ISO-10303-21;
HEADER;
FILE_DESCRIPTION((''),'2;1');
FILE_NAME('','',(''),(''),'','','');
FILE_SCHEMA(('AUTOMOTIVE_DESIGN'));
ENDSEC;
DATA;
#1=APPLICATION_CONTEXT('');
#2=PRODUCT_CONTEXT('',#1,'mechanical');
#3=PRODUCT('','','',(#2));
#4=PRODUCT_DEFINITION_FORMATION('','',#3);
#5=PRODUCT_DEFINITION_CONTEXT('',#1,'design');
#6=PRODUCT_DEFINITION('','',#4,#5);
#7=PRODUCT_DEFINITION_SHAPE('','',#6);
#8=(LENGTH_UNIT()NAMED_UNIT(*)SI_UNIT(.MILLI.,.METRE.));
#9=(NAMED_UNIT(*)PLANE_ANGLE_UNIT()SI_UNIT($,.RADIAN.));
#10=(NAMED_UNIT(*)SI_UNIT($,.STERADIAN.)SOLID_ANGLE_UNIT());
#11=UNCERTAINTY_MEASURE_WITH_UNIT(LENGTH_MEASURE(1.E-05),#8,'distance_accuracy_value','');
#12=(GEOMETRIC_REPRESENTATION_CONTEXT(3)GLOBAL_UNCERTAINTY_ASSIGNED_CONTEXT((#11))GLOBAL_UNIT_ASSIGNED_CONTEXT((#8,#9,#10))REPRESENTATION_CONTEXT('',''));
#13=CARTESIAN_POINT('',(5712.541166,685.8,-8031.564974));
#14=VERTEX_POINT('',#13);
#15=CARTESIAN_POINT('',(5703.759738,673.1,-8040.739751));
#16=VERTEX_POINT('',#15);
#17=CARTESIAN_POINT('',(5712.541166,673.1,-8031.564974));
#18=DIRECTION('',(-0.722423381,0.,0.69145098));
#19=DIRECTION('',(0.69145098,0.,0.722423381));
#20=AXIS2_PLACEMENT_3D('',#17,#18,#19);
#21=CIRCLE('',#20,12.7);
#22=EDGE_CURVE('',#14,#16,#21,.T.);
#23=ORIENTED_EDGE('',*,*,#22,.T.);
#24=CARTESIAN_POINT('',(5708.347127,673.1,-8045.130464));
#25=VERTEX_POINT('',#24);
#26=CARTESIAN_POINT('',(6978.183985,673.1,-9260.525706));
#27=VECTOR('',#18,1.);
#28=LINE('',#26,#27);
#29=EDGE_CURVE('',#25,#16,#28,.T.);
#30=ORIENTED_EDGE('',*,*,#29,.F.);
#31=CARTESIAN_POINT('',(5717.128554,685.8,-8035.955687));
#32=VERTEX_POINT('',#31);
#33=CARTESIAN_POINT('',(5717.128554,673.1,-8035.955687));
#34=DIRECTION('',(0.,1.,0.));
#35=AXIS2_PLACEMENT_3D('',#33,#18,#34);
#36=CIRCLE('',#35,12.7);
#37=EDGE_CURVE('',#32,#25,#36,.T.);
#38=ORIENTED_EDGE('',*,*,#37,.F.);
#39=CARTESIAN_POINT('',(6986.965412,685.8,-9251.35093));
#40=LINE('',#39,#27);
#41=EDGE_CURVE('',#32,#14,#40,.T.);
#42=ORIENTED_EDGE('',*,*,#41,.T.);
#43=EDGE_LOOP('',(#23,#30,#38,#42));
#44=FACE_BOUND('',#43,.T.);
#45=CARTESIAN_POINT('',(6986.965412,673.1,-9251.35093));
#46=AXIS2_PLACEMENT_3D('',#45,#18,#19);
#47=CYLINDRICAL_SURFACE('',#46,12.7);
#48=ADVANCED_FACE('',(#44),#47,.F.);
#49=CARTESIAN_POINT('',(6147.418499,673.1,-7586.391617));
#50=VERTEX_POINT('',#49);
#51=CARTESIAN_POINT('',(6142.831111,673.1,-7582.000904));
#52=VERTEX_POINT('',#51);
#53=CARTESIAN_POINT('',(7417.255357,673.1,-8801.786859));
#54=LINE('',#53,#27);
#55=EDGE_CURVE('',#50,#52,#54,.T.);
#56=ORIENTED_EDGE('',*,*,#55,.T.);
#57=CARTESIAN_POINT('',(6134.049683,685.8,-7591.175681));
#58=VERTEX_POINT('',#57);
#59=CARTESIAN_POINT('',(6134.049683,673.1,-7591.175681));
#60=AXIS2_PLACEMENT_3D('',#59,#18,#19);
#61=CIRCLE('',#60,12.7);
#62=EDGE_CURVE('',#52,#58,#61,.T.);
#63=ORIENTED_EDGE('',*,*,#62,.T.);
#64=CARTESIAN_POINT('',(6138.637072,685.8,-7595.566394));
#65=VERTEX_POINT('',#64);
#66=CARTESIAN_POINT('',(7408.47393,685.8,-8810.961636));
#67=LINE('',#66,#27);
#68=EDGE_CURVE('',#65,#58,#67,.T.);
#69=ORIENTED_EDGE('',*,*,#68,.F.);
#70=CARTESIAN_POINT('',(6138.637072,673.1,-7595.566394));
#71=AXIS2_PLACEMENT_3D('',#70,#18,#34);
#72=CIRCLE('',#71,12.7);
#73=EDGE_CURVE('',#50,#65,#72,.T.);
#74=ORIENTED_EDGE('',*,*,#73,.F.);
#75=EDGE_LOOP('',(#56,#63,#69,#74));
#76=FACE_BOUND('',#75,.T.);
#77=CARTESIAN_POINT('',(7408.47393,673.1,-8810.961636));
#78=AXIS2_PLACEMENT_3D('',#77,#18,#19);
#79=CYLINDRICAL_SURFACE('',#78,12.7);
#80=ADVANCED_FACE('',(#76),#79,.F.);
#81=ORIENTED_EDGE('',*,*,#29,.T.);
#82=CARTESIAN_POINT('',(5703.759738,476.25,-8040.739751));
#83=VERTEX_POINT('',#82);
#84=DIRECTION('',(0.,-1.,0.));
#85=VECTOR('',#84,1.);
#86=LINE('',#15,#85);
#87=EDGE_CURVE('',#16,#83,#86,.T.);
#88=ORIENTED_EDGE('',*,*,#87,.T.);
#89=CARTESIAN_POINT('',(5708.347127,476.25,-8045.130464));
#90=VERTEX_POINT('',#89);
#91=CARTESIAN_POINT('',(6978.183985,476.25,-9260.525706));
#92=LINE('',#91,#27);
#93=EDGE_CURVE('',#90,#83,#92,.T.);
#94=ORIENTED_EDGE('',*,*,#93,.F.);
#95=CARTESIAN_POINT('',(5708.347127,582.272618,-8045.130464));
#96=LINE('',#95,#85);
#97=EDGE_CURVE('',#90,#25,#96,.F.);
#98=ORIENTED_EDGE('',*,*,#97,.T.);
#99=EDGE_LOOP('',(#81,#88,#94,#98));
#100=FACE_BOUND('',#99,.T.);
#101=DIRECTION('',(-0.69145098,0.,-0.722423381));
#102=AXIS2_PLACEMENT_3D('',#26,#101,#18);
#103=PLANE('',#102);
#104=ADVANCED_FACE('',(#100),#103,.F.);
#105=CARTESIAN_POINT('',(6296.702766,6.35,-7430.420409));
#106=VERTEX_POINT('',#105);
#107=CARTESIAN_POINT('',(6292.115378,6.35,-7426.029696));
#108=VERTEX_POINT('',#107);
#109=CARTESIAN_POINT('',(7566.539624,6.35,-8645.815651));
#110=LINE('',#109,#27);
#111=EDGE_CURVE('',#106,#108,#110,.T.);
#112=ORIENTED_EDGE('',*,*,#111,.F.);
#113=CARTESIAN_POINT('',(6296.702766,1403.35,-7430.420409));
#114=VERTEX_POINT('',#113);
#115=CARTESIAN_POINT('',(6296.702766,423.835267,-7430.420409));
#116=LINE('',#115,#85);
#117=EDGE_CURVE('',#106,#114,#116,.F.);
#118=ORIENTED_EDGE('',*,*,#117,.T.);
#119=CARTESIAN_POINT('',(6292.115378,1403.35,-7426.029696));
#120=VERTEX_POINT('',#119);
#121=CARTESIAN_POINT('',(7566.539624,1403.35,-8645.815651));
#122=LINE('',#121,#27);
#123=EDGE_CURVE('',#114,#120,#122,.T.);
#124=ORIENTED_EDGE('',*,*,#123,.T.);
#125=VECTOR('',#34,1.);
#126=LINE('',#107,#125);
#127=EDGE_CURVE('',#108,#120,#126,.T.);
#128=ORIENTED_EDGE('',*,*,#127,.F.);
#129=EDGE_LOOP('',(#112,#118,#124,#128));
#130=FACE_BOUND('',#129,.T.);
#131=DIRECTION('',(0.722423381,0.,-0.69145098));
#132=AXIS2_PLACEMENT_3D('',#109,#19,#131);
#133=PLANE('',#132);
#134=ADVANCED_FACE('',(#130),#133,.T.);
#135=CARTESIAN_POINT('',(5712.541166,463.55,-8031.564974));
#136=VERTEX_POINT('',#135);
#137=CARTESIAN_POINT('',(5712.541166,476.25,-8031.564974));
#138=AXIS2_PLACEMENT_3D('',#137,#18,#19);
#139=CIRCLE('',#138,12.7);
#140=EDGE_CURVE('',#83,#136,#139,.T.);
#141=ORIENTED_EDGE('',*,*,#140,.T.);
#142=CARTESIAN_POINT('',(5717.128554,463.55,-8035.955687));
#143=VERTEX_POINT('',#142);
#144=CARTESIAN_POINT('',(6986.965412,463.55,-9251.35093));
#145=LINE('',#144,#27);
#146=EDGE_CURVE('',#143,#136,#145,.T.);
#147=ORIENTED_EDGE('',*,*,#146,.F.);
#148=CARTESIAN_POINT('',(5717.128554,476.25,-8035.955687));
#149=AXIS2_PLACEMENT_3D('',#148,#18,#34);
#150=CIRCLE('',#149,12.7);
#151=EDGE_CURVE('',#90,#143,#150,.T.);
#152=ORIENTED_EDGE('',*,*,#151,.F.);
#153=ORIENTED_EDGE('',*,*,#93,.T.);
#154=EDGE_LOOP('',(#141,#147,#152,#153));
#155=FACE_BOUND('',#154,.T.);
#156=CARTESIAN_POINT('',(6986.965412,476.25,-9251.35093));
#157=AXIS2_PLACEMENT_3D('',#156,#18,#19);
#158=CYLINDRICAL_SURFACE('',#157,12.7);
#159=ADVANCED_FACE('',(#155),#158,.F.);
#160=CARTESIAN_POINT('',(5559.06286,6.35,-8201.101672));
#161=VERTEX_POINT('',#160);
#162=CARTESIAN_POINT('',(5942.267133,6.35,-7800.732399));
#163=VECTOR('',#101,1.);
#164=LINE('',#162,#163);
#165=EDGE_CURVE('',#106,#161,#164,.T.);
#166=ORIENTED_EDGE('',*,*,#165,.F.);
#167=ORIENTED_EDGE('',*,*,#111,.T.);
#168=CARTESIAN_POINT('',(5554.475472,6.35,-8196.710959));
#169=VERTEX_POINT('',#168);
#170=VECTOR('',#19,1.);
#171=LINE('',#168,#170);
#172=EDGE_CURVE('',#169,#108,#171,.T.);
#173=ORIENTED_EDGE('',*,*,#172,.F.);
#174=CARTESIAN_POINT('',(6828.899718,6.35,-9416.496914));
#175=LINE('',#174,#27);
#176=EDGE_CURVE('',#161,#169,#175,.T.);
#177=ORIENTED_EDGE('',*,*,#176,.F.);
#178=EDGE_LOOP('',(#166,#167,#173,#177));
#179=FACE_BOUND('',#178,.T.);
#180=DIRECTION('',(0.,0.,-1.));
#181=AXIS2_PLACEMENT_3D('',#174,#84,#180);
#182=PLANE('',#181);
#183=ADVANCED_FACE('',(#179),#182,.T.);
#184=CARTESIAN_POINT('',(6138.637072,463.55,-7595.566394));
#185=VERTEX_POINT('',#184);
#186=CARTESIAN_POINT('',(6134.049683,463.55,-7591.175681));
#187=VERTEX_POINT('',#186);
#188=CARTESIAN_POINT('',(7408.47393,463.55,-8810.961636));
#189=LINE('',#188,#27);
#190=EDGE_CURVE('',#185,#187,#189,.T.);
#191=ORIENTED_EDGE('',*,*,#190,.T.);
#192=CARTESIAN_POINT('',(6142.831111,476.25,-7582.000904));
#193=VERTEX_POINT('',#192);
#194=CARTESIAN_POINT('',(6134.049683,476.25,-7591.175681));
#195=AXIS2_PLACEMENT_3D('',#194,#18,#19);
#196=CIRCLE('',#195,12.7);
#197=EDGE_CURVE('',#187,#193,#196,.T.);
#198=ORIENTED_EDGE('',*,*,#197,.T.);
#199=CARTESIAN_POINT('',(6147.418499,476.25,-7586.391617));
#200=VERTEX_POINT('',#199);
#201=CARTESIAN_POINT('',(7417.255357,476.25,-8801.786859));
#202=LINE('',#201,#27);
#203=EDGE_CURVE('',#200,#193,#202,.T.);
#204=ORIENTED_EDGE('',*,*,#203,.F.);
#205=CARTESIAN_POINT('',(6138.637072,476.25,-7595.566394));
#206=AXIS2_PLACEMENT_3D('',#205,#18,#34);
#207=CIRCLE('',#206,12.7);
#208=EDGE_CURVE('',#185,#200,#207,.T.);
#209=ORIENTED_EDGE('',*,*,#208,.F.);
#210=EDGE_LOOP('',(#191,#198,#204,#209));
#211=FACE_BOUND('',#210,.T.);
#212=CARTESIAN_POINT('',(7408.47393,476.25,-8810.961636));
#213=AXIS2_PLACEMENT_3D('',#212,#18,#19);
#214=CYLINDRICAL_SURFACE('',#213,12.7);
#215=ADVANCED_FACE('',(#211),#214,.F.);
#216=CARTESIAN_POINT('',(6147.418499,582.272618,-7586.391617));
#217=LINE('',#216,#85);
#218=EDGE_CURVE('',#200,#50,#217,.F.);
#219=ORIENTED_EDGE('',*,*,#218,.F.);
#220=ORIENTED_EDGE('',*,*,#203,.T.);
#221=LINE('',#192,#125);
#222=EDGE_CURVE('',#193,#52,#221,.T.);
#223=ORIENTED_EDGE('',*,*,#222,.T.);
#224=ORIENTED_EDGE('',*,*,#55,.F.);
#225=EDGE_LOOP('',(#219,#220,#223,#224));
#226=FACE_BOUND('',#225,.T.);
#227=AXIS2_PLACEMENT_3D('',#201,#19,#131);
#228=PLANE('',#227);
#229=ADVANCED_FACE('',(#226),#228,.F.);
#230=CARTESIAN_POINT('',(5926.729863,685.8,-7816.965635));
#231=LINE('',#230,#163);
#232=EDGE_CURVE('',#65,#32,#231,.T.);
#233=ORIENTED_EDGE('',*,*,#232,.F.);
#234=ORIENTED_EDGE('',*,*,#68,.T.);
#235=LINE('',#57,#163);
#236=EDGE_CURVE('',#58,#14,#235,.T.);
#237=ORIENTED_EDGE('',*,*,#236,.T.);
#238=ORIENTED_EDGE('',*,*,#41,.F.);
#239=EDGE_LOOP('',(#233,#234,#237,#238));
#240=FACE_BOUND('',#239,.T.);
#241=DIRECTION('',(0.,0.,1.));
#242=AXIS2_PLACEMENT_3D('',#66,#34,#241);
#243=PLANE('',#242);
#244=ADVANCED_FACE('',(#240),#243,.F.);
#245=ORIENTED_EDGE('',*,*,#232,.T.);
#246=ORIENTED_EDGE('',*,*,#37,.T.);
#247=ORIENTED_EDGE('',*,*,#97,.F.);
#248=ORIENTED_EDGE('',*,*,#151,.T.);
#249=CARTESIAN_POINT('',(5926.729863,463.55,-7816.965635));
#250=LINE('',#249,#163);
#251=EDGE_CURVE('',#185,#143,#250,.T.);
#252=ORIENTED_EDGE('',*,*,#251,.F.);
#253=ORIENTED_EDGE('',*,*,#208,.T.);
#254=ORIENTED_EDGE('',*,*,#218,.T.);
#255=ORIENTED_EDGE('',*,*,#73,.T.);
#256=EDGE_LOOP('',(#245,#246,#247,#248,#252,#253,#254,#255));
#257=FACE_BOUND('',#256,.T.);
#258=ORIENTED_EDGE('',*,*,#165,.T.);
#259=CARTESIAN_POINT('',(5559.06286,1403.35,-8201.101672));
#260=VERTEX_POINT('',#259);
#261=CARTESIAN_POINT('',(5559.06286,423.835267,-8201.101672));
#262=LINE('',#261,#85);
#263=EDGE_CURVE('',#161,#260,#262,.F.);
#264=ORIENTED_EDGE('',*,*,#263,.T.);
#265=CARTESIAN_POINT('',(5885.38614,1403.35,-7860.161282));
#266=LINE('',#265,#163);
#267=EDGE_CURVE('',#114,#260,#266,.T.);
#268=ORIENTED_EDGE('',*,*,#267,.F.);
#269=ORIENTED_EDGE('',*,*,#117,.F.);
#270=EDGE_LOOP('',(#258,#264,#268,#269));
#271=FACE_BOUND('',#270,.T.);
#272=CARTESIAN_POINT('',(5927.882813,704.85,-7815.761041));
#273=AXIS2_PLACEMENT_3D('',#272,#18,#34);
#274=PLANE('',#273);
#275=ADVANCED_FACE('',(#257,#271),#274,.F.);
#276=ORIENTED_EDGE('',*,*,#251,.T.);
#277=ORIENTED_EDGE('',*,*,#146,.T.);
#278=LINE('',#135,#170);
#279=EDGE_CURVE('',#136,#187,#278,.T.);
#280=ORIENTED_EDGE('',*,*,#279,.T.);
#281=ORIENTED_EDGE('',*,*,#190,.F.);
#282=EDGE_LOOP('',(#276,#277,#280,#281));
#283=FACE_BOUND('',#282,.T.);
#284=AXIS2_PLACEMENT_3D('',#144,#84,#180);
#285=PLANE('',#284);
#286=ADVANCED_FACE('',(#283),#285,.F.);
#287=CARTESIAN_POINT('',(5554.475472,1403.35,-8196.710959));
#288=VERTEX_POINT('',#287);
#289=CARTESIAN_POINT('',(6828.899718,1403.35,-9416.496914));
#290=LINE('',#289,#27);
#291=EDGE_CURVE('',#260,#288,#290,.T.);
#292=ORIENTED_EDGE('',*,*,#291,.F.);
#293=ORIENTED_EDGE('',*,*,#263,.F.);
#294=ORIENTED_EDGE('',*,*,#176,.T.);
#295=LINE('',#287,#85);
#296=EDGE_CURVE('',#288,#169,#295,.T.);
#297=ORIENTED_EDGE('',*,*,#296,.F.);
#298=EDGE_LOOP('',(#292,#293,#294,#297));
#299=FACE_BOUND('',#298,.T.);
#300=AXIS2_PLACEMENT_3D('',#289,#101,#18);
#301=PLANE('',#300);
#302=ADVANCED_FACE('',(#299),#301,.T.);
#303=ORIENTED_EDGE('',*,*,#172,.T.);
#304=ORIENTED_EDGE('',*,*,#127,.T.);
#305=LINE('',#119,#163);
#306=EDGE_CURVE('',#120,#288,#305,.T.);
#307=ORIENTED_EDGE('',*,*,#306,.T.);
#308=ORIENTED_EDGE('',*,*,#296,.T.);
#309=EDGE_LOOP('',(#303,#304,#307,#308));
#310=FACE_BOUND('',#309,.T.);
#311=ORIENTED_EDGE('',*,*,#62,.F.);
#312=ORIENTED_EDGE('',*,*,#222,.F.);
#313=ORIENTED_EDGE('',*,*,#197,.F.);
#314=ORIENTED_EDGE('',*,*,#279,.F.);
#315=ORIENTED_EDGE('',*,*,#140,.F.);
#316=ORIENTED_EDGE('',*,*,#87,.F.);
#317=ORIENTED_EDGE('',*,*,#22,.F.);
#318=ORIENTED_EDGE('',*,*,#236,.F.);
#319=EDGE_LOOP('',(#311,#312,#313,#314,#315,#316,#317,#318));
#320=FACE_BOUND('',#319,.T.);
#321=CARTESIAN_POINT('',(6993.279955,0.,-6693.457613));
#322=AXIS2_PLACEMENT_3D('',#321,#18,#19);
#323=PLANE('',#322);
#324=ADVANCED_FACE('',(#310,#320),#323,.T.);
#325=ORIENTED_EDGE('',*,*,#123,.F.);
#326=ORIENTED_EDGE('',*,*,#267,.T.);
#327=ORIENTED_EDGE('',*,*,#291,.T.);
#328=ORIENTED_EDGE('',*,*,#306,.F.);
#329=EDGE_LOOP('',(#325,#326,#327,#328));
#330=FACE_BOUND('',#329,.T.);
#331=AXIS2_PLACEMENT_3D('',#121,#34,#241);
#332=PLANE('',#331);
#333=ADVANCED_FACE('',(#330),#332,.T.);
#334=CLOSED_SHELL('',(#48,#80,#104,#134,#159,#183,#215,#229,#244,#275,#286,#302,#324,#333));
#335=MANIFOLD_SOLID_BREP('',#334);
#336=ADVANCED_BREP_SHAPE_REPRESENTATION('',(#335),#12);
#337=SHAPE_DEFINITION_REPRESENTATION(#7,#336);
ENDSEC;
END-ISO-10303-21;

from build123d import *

# Parameters (mm, degrees)
SKETCH1_W           = 1066.8
SKETCH1_H           = 1397
BOSS_EXTRUDE1_DEPTH = 6.35


with BuildPart() as part:
    # Sketch1 → Boss-Extrude1 (new body)
    with BuildSketch(Plane(origin=(6993.279954705, 0, -6693.457613122), x_dir=(0.6914509803921883, 0, 0.722423381207088), z_dir=(-0.722423381207088, 0, 0.6914509803921883))):
        with Locations((-1547.448135129, 704.85)):
            Rectangle(SKETCH1_W, SKETCH1_H)
        with BuildLine():
            Line((-1242.648135129, 685.8), (-1852.248135129, 685.8))
            ThreePointArc((-1852.248135129, 685.8), (-1861.22839125, 682.080256121), (-1864.948135129, 673.1))
            Line((-1864.948135129, 673.1), (-1864.948135129, 476.25))
            ThreePointArc((-1864.948135129, 476.25), (-1861.22839125, 467.269743879), (-1852.248135129, 463.55))
            Line((-1852.248135129, 463.55), (-1242.648135129, 463.55))
            ThreePointArc((-1242.648135129, 463.55), (-1233.667879008, 467.269743879), (-1229.948135129, 476.25))
            Line((-1229.948135129, 476.25), (-1229.948135129, 673.1))
            ThreePointArc((-1229.948135129, 673.1), (-1233.667879008, 682.080256121), (-1242.648135129, 685.8))
        make_face(mode=Mode.SUBTRACT)
    extrude(amount=-BOSS_EXTRUDE1_DEPTH)


solid = part.part
